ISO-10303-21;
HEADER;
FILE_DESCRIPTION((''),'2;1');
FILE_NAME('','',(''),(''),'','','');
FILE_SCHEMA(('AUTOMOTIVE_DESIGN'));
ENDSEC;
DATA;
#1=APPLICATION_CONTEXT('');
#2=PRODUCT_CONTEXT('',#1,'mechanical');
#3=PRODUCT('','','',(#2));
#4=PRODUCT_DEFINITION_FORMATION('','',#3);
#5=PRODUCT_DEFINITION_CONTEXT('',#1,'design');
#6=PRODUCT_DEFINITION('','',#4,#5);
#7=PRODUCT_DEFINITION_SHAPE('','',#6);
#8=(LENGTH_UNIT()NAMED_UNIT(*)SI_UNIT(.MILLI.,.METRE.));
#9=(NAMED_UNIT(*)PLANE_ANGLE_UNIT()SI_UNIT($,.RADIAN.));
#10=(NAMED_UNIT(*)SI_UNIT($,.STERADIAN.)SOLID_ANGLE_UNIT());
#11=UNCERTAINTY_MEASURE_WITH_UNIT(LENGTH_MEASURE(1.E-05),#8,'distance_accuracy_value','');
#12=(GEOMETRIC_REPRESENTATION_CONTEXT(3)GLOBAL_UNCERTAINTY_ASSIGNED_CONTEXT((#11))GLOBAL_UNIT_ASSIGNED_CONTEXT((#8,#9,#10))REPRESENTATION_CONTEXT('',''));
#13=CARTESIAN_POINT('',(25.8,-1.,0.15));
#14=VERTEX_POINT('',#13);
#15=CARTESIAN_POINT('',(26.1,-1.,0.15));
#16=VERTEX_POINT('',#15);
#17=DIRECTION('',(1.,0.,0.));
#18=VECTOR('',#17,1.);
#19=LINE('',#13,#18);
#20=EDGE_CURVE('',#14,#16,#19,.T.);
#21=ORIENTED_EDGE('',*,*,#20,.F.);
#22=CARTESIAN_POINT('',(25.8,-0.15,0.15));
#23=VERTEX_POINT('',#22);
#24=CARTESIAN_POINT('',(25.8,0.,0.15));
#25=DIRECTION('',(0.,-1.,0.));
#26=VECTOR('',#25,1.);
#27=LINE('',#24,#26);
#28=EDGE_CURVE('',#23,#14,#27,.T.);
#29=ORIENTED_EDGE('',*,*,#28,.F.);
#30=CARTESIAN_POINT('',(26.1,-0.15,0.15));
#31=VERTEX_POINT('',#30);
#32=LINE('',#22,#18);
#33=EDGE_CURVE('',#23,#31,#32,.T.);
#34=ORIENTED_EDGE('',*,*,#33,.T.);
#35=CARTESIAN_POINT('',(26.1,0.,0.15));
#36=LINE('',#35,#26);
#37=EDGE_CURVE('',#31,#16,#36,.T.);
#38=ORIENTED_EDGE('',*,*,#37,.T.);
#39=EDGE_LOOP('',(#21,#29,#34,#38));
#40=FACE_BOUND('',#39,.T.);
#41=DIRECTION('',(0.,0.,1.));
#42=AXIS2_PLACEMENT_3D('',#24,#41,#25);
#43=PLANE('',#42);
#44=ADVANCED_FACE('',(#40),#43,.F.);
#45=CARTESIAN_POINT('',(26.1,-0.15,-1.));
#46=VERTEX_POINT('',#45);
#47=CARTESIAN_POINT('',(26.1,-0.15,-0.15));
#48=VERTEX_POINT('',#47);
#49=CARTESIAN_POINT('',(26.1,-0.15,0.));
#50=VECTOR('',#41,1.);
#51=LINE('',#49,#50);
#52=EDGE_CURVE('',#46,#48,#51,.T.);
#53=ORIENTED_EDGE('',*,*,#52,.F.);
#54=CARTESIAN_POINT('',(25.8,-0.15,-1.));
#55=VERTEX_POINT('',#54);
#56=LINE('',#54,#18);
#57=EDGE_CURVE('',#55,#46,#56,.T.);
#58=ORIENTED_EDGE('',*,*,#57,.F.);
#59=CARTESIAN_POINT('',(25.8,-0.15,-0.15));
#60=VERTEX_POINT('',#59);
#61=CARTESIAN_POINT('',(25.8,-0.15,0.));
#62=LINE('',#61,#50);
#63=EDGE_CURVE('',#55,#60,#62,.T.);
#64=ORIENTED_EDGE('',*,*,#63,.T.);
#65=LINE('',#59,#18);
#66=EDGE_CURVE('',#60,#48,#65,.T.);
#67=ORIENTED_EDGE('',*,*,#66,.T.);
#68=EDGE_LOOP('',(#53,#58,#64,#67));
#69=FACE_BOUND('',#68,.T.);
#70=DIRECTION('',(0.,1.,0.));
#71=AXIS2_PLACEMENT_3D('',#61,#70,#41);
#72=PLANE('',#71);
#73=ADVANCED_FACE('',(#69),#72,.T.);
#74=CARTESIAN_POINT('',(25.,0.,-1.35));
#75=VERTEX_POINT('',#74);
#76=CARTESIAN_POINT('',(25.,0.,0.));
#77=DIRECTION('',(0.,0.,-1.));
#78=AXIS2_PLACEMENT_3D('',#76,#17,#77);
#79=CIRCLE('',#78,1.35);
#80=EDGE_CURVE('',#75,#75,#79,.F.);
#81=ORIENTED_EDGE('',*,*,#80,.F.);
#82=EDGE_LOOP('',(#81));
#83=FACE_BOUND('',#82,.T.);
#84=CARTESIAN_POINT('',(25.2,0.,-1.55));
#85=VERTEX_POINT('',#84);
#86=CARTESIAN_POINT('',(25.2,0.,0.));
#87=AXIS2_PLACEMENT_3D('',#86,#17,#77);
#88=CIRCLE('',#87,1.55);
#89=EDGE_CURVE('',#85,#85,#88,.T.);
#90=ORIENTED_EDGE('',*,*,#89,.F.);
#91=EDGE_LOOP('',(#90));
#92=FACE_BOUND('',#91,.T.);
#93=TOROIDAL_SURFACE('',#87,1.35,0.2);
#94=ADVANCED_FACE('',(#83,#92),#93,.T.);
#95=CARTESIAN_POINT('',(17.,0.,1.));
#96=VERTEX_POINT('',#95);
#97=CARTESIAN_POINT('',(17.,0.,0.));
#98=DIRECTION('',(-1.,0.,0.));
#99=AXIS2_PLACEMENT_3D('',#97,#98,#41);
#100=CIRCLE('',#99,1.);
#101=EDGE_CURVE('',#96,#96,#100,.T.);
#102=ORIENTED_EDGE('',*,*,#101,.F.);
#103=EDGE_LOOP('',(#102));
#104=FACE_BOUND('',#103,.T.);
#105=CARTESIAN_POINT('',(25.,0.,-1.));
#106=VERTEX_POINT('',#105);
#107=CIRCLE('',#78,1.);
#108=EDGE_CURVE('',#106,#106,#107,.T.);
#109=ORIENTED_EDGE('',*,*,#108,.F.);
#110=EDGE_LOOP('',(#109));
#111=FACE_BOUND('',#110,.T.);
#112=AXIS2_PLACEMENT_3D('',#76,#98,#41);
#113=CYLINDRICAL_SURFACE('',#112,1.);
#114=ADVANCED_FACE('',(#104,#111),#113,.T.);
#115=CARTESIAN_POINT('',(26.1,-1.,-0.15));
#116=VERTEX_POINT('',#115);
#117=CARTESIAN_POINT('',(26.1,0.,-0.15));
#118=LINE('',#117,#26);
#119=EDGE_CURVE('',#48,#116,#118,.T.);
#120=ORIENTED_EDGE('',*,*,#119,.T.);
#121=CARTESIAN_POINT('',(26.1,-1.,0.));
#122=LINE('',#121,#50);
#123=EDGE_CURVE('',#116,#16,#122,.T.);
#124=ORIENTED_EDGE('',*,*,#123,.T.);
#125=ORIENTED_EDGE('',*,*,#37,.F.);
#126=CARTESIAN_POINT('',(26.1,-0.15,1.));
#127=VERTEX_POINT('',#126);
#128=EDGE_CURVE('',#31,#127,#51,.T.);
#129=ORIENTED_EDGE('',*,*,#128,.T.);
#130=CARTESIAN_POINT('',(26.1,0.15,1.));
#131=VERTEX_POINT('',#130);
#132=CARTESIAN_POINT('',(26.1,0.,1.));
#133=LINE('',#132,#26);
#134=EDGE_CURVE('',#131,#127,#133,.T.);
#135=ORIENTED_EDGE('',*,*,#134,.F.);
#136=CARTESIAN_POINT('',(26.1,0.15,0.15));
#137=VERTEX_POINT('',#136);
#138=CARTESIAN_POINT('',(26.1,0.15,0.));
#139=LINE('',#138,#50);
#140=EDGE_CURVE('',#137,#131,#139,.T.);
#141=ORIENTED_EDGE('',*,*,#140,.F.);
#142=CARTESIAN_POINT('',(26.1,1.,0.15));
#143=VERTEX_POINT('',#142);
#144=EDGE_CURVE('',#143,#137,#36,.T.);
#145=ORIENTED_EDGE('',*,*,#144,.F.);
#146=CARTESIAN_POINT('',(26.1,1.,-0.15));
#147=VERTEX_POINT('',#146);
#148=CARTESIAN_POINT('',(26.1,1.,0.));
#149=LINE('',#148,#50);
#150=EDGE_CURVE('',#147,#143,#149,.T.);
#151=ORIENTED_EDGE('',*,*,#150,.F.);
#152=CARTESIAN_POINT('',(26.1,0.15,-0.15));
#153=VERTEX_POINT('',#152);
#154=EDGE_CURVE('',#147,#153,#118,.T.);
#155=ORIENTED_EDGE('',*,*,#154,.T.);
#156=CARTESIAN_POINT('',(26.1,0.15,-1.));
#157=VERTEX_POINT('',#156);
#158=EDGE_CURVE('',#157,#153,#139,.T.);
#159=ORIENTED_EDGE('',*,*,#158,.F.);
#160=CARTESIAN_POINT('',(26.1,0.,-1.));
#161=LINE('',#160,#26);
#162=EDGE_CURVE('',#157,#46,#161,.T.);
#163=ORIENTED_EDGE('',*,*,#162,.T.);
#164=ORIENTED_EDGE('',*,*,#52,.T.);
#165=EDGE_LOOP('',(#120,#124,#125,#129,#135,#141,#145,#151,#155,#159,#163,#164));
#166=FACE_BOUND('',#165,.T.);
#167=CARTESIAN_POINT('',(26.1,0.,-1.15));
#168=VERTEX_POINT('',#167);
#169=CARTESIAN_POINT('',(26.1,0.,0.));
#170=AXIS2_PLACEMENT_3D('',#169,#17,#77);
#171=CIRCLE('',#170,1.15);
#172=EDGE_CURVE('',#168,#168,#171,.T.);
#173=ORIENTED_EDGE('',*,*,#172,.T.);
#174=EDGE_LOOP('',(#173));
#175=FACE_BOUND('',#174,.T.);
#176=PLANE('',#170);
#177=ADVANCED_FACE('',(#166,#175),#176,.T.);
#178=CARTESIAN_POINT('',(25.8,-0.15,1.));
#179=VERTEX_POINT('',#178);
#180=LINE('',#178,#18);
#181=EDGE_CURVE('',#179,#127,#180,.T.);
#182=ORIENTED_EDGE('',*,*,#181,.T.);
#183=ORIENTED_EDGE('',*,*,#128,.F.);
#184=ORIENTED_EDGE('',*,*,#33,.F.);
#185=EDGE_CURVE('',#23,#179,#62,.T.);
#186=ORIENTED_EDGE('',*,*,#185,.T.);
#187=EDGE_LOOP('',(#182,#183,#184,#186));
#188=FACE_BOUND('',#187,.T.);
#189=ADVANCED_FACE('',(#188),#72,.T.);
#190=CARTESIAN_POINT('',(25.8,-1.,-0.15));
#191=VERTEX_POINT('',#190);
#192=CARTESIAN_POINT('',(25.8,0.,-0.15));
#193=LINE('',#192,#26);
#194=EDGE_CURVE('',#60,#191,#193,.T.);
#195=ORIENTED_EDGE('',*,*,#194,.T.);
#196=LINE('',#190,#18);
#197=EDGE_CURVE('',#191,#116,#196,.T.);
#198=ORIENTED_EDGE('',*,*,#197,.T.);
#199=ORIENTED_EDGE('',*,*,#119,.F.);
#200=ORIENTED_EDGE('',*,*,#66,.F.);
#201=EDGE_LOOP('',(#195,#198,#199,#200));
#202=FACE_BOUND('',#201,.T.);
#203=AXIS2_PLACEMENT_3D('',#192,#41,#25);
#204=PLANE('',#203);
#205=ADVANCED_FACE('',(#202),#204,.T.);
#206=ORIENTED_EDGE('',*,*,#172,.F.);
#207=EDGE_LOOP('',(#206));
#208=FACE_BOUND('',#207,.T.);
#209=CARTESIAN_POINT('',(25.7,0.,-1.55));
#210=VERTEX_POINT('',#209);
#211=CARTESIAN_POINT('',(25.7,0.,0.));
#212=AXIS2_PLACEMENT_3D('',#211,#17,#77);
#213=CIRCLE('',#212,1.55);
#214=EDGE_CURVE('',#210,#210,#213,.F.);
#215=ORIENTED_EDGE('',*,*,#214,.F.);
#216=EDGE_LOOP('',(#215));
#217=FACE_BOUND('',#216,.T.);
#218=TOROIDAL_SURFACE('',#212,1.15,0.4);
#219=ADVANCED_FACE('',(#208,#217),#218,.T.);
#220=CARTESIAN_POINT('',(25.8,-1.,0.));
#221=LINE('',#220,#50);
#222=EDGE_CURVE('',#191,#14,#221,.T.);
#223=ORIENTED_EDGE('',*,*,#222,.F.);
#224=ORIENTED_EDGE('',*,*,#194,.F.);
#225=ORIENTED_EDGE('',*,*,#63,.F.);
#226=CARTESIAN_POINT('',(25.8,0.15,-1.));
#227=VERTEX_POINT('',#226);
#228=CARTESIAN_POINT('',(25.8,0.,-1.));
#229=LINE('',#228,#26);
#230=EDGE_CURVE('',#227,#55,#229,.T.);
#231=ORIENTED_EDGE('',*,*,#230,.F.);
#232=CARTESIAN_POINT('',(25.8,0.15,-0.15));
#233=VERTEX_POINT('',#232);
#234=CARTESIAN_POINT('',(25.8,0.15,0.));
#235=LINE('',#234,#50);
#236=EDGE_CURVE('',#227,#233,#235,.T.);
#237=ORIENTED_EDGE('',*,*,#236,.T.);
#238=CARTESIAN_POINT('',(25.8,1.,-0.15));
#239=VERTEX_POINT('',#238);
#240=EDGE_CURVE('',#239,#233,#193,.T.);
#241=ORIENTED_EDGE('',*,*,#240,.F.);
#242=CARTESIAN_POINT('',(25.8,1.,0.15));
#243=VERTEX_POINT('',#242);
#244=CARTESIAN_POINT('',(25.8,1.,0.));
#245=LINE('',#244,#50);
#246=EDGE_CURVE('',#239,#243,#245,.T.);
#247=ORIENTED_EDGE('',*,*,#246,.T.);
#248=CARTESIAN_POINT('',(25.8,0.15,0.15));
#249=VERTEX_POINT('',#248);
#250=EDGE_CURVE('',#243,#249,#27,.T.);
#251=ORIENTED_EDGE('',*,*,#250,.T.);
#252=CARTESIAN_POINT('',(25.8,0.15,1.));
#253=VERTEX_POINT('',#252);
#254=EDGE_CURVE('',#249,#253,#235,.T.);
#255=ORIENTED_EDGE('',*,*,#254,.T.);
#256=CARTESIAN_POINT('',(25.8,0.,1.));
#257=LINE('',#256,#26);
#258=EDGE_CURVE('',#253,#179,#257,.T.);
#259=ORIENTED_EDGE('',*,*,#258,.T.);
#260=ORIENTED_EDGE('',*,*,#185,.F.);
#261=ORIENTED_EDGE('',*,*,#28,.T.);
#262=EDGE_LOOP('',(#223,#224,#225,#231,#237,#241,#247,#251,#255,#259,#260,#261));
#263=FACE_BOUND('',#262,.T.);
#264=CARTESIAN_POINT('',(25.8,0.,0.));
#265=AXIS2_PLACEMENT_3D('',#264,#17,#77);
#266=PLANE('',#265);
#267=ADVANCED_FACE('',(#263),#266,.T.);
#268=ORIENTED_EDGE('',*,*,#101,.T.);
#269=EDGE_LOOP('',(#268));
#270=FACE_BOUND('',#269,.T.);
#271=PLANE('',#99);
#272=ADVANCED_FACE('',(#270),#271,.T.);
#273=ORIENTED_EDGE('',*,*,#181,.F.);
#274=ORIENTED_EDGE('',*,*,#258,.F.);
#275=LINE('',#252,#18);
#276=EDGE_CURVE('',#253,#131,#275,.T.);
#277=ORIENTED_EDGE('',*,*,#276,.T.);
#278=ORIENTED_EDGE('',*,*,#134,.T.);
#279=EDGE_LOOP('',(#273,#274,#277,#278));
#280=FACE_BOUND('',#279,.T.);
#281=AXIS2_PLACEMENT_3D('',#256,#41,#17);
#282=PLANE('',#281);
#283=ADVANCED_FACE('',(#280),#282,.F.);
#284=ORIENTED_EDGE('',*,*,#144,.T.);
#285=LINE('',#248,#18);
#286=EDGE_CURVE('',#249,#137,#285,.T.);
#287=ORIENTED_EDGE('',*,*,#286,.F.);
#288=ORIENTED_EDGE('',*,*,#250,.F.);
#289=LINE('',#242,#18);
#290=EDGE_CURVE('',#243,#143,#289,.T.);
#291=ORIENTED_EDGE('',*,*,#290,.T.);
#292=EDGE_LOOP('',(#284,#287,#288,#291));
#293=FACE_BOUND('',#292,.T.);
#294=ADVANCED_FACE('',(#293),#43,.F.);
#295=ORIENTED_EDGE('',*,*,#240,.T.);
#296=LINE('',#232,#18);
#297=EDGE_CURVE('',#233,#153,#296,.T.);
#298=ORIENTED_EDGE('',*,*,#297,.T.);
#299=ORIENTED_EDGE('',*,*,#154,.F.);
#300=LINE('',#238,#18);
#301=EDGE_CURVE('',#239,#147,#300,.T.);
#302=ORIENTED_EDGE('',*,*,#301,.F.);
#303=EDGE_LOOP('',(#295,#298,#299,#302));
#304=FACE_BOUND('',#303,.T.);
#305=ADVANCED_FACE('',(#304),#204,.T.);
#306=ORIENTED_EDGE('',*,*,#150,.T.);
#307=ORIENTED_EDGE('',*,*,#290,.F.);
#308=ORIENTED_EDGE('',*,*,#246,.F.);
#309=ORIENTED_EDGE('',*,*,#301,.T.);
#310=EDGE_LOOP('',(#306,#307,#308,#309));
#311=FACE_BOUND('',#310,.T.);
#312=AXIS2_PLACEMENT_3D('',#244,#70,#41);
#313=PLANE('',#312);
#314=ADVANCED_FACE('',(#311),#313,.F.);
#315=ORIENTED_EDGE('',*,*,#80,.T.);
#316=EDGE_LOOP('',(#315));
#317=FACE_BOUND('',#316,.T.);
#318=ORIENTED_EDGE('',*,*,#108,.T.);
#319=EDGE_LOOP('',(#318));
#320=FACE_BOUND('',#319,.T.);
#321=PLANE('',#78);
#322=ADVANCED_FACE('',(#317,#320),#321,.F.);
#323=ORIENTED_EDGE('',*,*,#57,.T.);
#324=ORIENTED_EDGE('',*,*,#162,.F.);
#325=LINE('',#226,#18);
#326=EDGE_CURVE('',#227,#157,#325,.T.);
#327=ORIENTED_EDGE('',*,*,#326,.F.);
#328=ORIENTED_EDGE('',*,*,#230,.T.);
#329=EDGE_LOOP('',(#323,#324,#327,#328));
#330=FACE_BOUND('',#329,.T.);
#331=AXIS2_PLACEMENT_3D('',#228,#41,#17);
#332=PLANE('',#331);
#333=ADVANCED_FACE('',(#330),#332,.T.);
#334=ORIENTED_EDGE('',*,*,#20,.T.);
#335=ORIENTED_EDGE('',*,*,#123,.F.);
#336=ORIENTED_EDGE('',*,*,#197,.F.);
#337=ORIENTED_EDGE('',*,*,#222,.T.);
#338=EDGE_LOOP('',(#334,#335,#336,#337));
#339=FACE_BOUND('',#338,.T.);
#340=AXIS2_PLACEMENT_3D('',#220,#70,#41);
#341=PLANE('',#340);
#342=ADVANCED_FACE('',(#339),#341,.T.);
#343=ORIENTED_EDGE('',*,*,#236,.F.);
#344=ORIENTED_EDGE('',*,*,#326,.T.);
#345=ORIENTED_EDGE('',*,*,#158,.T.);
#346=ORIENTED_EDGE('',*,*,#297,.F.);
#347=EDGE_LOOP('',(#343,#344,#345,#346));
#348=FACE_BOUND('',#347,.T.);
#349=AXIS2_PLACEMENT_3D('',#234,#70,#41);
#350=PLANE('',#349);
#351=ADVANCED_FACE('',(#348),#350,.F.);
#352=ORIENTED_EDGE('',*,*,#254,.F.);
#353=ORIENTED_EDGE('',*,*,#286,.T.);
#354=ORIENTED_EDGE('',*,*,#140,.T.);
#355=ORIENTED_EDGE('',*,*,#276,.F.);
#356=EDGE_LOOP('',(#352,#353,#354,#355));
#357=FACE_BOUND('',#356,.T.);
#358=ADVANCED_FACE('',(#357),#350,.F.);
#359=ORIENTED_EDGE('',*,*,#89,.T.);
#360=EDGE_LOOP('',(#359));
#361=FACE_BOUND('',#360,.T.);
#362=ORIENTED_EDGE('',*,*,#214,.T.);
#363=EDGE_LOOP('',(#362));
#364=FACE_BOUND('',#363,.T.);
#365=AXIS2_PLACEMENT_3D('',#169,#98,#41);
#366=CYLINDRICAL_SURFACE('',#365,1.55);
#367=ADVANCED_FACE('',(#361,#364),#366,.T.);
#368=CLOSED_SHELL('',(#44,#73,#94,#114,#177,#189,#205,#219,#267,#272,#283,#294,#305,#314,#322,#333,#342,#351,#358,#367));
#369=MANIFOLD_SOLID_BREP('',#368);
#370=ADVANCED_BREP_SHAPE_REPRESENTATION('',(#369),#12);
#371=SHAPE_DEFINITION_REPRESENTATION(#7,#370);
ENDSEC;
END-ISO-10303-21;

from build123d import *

# Parameters (mm, degrees)
ESBO_O1_R                = 1
RESSALTO_EXTRUS_O1_DEPTH = 25
ESBO_O2_R                = 1.55
RESSALTO_EXTRUS_O2_DEPTH = 1.1
SKETCH1_R                = 1
CUT_EXTRUDE1_DEPTH       = 17
SKETCH2_W                = 0.85
SKETCH2_H                = 0.3
SKETCH2_W_2              = 0.3
SKETCH2_H_2              = 0.85
CUT_EXTRUDE3_DEPTH       = 0.3
FILLET1_R                = 0.4
FILLET2_R                = 0.2


with BuildPart() as part:
    # Esboço1 → Ressalto-extrusão1 (new body)
    with BuildSketch(Plane(origin=(0, 0, 0), x_dir=(0, 0, -1), z_dir=(1, 0, 0))):
        Circle(ESBO_O1_R)
    extrude(amount=RESSALTO_EXTRUS_O1_DEPTH)

    # Esboço2 → Ressalto-extrusão2 (add)
    with BuildSketch(Plane(origin=(25, 0, 0), x_dir=(0, 0, -1), z_dir=(1, 0, 0))):
        Circle(ESBO_O2_R)
    extrude(amount=RESSALTO_EXTRUS_O2_DEPTH)

    # Sketch1 → Cut-Extrude1 (cut)
    with BuildSketch(Plane.ZY):
        Circle(SKETCH1_R)
    extrude(amount=-CUT_EXTRUDE1_DEPTH, mode=Mode.SUBTRACT)

    # Sketch2 → Cut-Extrude3 (cut)
    with BuildSketch(Plane(origin=(26.1, 0, 0), x_dir=(0, 0, -1), z_dir=(1, 0, 0))):
        with Locations((0.575, 0)):
            Rectangle(SKETCH2_W, SKETCH2_H)
        with Locations((-0.575, 0)):
            Rectangle(SKETCH2_W, SKETCH2_H)
        with Locations((0, 0.575)):
            Rectangle(SKETCH2_W_2, SKETCH2_H_2)
        with Locations((0, -0.575)):
            Rectangle(SKETCH2_W_2, SKETCH2_H_2)
        Rectangle(SKETCH2_W_2, SKETCH2_H)
    extrude(amount=-CUT_EXTRUDE3_DEPTH, mode=Mode.SUBTRACT)

    # Fillet1
    fillet1_edges = [part.edges().sort_by_distance(p)[0] for p in [
        (26.1, 0, 1.55),
    ]]
    fillet(fillet1_edges, radius=FILLET1_R)

    # Fillet2
    fillet2_edges = [part.edges().sort_by_distance(p)[0] for p in [
        (25, 0, 1.55),
    ]]
    fillet(fillet2_edges, radius=FILLET2_R)


solid = part.part
